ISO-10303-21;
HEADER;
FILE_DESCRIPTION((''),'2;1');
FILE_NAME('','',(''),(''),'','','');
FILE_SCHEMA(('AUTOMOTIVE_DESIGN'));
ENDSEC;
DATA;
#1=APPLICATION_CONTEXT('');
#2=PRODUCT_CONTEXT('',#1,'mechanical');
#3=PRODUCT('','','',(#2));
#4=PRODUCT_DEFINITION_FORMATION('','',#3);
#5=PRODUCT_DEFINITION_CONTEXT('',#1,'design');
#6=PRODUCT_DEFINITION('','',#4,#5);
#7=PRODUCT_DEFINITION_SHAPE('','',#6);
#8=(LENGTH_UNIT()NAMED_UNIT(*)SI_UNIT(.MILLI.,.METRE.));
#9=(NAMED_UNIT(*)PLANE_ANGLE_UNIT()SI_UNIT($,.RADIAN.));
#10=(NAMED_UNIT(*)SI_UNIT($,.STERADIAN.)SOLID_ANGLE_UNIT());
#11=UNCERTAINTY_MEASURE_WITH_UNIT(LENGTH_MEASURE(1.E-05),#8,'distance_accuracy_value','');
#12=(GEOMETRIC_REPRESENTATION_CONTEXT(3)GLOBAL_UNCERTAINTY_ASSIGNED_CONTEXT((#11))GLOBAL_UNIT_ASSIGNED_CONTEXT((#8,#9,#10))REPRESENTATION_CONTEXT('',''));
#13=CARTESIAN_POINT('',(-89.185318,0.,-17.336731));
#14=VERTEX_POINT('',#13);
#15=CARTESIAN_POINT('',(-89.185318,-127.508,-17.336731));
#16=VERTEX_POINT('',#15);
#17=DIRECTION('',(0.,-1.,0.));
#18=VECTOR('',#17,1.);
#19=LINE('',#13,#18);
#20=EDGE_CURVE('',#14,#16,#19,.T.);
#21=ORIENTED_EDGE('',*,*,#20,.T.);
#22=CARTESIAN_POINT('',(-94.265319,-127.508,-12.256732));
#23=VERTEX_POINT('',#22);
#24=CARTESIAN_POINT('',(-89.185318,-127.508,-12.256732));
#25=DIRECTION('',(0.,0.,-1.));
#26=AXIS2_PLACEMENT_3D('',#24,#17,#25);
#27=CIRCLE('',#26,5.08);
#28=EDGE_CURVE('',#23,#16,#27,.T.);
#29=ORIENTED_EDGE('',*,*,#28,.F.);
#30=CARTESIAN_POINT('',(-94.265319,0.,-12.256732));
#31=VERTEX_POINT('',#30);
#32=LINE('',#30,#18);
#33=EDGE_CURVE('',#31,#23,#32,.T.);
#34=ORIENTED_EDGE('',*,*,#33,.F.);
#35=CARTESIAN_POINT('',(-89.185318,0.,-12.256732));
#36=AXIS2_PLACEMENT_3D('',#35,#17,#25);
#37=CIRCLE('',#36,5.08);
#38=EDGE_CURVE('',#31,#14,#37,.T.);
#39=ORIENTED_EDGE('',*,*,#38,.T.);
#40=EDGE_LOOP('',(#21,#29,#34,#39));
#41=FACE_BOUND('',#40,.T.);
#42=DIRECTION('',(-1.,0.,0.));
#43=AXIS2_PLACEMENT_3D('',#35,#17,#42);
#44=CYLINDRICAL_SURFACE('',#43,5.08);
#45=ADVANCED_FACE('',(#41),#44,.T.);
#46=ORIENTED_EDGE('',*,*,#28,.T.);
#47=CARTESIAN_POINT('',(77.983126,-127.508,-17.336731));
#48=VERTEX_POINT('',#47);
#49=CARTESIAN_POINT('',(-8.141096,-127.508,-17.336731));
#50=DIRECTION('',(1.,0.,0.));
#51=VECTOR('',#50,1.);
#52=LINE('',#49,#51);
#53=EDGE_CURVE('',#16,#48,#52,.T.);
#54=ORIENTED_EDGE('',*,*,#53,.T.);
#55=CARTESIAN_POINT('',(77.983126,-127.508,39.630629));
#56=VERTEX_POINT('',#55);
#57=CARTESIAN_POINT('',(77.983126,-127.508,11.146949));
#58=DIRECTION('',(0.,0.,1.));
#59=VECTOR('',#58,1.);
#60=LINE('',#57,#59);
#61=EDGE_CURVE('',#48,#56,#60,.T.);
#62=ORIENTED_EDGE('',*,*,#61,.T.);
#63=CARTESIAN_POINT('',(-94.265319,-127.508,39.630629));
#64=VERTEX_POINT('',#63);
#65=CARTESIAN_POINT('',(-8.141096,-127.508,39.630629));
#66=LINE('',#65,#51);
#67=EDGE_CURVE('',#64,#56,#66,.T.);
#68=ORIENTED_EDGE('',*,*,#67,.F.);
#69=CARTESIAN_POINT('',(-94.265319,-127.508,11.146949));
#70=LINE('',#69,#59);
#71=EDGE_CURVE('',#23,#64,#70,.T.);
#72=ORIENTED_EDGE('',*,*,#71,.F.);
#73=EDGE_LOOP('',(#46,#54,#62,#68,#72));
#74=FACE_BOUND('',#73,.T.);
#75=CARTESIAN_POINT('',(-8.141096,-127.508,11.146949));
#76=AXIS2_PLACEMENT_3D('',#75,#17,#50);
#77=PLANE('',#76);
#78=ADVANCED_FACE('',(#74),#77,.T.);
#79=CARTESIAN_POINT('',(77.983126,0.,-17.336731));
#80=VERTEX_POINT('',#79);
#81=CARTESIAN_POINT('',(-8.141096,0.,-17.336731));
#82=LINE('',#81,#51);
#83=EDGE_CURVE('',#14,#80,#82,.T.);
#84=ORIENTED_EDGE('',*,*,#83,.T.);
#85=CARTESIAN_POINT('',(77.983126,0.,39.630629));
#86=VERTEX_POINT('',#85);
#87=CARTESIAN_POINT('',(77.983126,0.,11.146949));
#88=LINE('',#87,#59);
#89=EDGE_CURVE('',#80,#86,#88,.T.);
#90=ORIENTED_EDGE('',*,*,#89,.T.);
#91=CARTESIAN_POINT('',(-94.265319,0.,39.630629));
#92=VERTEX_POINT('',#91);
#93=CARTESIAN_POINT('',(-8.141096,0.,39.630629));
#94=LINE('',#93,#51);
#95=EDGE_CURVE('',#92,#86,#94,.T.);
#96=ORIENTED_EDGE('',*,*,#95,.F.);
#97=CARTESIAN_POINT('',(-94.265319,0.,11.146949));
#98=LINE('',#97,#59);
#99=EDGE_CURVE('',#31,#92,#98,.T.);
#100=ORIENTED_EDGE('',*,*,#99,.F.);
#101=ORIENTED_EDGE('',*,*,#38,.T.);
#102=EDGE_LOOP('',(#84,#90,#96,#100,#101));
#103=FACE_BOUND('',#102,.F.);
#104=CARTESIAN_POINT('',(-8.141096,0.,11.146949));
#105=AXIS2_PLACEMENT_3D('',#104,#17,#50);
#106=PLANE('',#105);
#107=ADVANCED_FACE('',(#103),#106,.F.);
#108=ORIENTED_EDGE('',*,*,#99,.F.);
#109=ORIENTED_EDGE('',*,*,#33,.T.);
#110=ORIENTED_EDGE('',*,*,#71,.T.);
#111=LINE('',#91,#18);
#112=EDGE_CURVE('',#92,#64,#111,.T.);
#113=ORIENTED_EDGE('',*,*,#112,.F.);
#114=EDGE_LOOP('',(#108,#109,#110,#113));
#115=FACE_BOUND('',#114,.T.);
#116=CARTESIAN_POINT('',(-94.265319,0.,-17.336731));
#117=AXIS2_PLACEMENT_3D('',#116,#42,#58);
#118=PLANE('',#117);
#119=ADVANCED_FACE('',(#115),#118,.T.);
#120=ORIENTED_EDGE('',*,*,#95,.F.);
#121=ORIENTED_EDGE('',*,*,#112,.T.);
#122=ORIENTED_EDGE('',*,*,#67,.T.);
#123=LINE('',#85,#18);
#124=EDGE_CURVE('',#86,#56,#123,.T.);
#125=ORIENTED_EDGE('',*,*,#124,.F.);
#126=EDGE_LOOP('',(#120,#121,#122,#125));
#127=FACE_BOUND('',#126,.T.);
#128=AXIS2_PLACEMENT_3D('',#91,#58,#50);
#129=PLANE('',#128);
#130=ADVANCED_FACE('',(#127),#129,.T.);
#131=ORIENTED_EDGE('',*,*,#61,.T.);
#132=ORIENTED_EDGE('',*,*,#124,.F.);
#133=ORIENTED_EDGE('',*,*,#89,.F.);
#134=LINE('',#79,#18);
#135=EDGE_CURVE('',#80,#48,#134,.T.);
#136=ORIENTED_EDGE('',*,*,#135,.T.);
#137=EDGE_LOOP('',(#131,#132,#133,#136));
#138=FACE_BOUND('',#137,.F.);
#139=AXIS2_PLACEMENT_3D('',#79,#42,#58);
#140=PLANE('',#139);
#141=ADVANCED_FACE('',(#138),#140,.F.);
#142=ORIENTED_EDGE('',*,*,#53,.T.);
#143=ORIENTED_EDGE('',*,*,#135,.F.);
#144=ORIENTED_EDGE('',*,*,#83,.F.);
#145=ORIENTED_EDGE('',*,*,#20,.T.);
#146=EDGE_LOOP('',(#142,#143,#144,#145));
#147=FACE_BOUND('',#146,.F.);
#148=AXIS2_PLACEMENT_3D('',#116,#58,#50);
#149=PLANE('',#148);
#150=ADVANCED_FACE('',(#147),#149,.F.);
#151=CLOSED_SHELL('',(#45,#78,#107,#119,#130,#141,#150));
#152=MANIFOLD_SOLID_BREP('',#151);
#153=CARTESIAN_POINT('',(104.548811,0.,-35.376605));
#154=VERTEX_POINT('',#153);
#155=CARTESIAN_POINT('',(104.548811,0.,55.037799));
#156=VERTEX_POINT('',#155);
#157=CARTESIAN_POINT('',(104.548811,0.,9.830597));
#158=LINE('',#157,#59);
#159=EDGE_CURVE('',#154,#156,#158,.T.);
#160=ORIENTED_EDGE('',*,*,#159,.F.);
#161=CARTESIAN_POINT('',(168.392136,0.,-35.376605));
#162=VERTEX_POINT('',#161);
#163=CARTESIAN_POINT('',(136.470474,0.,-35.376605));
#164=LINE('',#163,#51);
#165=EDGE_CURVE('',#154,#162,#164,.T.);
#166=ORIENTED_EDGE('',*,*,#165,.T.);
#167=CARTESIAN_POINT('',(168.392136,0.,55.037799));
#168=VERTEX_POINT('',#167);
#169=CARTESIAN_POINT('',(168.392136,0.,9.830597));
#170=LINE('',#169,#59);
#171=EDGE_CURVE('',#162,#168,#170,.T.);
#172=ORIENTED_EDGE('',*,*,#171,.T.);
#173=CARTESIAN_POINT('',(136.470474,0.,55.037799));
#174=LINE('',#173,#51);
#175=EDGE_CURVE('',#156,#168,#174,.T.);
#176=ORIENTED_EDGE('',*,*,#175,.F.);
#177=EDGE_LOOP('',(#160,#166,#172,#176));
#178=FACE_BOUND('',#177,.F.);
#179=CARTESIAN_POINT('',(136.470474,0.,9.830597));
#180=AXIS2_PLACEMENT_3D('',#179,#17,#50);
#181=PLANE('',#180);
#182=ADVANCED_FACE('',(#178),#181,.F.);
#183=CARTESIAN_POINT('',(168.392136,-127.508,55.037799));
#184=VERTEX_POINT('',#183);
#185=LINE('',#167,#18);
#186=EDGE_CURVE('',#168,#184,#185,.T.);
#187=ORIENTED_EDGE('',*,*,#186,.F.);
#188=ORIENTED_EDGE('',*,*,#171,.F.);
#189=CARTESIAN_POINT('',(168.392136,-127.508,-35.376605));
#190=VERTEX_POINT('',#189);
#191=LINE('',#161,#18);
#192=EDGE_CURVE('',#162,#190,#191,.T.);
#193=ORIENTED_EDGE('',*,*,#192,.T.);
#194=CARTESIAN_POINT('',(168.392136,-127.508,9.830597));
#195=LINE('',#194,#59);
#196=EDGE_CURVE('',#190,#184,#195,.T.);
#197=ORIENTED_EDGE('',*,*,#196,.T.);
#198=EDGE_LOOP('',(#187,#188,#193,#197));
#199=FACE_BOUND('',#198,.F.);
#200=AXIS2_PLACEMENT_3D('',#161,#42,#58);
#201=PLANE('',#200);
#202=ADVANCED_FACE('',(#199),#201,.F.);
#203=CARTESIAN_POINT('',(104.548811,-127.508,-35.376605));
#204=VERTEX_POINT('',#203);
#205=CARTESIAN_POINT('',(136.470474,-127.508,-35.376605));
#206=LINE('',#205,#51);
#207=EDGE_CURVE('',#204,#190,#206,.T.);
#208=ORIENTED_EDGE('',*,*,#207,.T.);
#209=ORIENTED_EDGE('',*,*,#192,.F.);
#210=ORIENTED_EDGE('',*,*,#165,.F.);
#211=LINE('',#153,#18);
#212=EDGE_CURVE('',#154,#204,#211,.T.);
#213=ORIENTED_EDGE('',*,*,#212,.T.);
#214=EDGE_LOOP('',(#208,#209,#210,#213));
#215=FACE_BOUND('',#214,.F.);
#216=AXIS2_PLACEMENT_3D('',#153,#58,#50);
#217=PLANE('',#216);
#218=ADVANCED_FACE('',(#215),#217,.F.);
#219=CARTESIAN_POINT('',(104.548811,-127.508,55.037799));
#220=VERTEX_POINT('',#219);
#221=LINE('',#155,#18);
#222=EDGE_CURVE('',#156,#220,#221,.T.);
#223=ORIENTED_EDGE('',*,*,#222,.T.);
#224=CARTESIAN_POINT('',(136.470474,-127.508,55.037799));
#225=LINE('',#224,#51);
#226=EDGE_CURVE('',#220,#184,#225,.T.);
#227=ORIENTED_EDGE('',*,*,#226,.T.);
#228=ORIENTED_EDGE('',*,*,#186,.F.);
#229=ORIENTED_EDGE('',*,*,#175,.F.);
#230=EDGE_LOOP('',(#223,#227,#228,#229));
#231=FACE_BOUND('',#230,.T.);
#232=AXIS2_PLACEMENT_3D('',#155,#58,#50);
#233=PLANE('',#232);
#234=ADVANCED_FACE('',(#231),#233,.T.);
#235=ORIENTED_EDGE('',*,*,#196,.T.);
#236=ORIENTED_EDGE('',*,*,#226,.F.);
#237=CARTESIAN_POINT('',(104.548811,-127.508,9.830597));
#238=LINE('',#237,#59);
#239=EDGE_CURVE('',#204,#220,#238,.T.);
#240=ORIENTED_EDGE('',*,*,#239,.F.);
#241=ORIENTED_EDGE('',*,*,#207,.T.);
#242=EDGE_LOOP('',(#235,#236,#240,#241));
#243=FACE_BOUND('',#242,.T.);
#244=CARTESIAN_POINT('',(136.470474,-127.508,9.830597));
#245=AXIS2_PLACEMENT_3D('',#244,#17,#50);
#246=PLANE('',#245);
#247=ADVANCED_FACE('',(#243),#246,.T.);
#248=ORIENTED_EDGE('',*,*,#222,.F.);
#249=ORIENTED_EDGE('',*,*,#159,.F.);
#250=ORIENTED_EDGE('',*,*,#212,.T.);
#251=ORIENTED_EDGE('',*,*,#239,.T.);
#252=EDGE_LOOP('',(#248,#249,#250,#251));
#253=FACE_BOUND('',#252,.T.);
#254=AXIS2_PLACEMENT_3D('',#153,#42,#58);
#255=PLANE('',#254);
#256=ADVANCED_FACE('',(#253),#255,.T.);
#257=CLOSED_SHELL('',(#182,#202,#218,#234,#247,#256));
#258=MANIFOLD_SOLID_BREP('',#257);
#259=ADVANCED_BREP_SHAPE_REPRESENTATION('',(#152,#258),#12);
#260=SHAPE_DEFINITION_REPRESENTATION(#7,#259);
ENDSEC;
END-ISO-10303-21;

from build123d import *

# Parameters (mm, degrees)
F0_W     = 172.248445
F0_H     = 56.967361
F0_W_2   = 63.843325
F0_H_2   = 90.414405
F1_DEPTH = 127.508
F2_R     = 5.08


with BuildPart() as f1:
    # F0 (on Front) → F1 (new body)
    with BuildSketch(Plane.XZ):
        with Locations((-8.141096, 11.146949)):
            Rectangle(F0_W, F0_H)
        with Locations((136.470474, 9.830597)):
            Rectangle(F0_W_2, F0_H_2)
    extrude(amount=F1_DEPTH)

    # F2
    f2_edges = [f1.edges().sort_by_distance(p)[0] for p in [
        (-94.265319, -63.754, -17.336732),
    ]]
    fillet(f2_edges, radius=F2_R)


solid = f1.part
